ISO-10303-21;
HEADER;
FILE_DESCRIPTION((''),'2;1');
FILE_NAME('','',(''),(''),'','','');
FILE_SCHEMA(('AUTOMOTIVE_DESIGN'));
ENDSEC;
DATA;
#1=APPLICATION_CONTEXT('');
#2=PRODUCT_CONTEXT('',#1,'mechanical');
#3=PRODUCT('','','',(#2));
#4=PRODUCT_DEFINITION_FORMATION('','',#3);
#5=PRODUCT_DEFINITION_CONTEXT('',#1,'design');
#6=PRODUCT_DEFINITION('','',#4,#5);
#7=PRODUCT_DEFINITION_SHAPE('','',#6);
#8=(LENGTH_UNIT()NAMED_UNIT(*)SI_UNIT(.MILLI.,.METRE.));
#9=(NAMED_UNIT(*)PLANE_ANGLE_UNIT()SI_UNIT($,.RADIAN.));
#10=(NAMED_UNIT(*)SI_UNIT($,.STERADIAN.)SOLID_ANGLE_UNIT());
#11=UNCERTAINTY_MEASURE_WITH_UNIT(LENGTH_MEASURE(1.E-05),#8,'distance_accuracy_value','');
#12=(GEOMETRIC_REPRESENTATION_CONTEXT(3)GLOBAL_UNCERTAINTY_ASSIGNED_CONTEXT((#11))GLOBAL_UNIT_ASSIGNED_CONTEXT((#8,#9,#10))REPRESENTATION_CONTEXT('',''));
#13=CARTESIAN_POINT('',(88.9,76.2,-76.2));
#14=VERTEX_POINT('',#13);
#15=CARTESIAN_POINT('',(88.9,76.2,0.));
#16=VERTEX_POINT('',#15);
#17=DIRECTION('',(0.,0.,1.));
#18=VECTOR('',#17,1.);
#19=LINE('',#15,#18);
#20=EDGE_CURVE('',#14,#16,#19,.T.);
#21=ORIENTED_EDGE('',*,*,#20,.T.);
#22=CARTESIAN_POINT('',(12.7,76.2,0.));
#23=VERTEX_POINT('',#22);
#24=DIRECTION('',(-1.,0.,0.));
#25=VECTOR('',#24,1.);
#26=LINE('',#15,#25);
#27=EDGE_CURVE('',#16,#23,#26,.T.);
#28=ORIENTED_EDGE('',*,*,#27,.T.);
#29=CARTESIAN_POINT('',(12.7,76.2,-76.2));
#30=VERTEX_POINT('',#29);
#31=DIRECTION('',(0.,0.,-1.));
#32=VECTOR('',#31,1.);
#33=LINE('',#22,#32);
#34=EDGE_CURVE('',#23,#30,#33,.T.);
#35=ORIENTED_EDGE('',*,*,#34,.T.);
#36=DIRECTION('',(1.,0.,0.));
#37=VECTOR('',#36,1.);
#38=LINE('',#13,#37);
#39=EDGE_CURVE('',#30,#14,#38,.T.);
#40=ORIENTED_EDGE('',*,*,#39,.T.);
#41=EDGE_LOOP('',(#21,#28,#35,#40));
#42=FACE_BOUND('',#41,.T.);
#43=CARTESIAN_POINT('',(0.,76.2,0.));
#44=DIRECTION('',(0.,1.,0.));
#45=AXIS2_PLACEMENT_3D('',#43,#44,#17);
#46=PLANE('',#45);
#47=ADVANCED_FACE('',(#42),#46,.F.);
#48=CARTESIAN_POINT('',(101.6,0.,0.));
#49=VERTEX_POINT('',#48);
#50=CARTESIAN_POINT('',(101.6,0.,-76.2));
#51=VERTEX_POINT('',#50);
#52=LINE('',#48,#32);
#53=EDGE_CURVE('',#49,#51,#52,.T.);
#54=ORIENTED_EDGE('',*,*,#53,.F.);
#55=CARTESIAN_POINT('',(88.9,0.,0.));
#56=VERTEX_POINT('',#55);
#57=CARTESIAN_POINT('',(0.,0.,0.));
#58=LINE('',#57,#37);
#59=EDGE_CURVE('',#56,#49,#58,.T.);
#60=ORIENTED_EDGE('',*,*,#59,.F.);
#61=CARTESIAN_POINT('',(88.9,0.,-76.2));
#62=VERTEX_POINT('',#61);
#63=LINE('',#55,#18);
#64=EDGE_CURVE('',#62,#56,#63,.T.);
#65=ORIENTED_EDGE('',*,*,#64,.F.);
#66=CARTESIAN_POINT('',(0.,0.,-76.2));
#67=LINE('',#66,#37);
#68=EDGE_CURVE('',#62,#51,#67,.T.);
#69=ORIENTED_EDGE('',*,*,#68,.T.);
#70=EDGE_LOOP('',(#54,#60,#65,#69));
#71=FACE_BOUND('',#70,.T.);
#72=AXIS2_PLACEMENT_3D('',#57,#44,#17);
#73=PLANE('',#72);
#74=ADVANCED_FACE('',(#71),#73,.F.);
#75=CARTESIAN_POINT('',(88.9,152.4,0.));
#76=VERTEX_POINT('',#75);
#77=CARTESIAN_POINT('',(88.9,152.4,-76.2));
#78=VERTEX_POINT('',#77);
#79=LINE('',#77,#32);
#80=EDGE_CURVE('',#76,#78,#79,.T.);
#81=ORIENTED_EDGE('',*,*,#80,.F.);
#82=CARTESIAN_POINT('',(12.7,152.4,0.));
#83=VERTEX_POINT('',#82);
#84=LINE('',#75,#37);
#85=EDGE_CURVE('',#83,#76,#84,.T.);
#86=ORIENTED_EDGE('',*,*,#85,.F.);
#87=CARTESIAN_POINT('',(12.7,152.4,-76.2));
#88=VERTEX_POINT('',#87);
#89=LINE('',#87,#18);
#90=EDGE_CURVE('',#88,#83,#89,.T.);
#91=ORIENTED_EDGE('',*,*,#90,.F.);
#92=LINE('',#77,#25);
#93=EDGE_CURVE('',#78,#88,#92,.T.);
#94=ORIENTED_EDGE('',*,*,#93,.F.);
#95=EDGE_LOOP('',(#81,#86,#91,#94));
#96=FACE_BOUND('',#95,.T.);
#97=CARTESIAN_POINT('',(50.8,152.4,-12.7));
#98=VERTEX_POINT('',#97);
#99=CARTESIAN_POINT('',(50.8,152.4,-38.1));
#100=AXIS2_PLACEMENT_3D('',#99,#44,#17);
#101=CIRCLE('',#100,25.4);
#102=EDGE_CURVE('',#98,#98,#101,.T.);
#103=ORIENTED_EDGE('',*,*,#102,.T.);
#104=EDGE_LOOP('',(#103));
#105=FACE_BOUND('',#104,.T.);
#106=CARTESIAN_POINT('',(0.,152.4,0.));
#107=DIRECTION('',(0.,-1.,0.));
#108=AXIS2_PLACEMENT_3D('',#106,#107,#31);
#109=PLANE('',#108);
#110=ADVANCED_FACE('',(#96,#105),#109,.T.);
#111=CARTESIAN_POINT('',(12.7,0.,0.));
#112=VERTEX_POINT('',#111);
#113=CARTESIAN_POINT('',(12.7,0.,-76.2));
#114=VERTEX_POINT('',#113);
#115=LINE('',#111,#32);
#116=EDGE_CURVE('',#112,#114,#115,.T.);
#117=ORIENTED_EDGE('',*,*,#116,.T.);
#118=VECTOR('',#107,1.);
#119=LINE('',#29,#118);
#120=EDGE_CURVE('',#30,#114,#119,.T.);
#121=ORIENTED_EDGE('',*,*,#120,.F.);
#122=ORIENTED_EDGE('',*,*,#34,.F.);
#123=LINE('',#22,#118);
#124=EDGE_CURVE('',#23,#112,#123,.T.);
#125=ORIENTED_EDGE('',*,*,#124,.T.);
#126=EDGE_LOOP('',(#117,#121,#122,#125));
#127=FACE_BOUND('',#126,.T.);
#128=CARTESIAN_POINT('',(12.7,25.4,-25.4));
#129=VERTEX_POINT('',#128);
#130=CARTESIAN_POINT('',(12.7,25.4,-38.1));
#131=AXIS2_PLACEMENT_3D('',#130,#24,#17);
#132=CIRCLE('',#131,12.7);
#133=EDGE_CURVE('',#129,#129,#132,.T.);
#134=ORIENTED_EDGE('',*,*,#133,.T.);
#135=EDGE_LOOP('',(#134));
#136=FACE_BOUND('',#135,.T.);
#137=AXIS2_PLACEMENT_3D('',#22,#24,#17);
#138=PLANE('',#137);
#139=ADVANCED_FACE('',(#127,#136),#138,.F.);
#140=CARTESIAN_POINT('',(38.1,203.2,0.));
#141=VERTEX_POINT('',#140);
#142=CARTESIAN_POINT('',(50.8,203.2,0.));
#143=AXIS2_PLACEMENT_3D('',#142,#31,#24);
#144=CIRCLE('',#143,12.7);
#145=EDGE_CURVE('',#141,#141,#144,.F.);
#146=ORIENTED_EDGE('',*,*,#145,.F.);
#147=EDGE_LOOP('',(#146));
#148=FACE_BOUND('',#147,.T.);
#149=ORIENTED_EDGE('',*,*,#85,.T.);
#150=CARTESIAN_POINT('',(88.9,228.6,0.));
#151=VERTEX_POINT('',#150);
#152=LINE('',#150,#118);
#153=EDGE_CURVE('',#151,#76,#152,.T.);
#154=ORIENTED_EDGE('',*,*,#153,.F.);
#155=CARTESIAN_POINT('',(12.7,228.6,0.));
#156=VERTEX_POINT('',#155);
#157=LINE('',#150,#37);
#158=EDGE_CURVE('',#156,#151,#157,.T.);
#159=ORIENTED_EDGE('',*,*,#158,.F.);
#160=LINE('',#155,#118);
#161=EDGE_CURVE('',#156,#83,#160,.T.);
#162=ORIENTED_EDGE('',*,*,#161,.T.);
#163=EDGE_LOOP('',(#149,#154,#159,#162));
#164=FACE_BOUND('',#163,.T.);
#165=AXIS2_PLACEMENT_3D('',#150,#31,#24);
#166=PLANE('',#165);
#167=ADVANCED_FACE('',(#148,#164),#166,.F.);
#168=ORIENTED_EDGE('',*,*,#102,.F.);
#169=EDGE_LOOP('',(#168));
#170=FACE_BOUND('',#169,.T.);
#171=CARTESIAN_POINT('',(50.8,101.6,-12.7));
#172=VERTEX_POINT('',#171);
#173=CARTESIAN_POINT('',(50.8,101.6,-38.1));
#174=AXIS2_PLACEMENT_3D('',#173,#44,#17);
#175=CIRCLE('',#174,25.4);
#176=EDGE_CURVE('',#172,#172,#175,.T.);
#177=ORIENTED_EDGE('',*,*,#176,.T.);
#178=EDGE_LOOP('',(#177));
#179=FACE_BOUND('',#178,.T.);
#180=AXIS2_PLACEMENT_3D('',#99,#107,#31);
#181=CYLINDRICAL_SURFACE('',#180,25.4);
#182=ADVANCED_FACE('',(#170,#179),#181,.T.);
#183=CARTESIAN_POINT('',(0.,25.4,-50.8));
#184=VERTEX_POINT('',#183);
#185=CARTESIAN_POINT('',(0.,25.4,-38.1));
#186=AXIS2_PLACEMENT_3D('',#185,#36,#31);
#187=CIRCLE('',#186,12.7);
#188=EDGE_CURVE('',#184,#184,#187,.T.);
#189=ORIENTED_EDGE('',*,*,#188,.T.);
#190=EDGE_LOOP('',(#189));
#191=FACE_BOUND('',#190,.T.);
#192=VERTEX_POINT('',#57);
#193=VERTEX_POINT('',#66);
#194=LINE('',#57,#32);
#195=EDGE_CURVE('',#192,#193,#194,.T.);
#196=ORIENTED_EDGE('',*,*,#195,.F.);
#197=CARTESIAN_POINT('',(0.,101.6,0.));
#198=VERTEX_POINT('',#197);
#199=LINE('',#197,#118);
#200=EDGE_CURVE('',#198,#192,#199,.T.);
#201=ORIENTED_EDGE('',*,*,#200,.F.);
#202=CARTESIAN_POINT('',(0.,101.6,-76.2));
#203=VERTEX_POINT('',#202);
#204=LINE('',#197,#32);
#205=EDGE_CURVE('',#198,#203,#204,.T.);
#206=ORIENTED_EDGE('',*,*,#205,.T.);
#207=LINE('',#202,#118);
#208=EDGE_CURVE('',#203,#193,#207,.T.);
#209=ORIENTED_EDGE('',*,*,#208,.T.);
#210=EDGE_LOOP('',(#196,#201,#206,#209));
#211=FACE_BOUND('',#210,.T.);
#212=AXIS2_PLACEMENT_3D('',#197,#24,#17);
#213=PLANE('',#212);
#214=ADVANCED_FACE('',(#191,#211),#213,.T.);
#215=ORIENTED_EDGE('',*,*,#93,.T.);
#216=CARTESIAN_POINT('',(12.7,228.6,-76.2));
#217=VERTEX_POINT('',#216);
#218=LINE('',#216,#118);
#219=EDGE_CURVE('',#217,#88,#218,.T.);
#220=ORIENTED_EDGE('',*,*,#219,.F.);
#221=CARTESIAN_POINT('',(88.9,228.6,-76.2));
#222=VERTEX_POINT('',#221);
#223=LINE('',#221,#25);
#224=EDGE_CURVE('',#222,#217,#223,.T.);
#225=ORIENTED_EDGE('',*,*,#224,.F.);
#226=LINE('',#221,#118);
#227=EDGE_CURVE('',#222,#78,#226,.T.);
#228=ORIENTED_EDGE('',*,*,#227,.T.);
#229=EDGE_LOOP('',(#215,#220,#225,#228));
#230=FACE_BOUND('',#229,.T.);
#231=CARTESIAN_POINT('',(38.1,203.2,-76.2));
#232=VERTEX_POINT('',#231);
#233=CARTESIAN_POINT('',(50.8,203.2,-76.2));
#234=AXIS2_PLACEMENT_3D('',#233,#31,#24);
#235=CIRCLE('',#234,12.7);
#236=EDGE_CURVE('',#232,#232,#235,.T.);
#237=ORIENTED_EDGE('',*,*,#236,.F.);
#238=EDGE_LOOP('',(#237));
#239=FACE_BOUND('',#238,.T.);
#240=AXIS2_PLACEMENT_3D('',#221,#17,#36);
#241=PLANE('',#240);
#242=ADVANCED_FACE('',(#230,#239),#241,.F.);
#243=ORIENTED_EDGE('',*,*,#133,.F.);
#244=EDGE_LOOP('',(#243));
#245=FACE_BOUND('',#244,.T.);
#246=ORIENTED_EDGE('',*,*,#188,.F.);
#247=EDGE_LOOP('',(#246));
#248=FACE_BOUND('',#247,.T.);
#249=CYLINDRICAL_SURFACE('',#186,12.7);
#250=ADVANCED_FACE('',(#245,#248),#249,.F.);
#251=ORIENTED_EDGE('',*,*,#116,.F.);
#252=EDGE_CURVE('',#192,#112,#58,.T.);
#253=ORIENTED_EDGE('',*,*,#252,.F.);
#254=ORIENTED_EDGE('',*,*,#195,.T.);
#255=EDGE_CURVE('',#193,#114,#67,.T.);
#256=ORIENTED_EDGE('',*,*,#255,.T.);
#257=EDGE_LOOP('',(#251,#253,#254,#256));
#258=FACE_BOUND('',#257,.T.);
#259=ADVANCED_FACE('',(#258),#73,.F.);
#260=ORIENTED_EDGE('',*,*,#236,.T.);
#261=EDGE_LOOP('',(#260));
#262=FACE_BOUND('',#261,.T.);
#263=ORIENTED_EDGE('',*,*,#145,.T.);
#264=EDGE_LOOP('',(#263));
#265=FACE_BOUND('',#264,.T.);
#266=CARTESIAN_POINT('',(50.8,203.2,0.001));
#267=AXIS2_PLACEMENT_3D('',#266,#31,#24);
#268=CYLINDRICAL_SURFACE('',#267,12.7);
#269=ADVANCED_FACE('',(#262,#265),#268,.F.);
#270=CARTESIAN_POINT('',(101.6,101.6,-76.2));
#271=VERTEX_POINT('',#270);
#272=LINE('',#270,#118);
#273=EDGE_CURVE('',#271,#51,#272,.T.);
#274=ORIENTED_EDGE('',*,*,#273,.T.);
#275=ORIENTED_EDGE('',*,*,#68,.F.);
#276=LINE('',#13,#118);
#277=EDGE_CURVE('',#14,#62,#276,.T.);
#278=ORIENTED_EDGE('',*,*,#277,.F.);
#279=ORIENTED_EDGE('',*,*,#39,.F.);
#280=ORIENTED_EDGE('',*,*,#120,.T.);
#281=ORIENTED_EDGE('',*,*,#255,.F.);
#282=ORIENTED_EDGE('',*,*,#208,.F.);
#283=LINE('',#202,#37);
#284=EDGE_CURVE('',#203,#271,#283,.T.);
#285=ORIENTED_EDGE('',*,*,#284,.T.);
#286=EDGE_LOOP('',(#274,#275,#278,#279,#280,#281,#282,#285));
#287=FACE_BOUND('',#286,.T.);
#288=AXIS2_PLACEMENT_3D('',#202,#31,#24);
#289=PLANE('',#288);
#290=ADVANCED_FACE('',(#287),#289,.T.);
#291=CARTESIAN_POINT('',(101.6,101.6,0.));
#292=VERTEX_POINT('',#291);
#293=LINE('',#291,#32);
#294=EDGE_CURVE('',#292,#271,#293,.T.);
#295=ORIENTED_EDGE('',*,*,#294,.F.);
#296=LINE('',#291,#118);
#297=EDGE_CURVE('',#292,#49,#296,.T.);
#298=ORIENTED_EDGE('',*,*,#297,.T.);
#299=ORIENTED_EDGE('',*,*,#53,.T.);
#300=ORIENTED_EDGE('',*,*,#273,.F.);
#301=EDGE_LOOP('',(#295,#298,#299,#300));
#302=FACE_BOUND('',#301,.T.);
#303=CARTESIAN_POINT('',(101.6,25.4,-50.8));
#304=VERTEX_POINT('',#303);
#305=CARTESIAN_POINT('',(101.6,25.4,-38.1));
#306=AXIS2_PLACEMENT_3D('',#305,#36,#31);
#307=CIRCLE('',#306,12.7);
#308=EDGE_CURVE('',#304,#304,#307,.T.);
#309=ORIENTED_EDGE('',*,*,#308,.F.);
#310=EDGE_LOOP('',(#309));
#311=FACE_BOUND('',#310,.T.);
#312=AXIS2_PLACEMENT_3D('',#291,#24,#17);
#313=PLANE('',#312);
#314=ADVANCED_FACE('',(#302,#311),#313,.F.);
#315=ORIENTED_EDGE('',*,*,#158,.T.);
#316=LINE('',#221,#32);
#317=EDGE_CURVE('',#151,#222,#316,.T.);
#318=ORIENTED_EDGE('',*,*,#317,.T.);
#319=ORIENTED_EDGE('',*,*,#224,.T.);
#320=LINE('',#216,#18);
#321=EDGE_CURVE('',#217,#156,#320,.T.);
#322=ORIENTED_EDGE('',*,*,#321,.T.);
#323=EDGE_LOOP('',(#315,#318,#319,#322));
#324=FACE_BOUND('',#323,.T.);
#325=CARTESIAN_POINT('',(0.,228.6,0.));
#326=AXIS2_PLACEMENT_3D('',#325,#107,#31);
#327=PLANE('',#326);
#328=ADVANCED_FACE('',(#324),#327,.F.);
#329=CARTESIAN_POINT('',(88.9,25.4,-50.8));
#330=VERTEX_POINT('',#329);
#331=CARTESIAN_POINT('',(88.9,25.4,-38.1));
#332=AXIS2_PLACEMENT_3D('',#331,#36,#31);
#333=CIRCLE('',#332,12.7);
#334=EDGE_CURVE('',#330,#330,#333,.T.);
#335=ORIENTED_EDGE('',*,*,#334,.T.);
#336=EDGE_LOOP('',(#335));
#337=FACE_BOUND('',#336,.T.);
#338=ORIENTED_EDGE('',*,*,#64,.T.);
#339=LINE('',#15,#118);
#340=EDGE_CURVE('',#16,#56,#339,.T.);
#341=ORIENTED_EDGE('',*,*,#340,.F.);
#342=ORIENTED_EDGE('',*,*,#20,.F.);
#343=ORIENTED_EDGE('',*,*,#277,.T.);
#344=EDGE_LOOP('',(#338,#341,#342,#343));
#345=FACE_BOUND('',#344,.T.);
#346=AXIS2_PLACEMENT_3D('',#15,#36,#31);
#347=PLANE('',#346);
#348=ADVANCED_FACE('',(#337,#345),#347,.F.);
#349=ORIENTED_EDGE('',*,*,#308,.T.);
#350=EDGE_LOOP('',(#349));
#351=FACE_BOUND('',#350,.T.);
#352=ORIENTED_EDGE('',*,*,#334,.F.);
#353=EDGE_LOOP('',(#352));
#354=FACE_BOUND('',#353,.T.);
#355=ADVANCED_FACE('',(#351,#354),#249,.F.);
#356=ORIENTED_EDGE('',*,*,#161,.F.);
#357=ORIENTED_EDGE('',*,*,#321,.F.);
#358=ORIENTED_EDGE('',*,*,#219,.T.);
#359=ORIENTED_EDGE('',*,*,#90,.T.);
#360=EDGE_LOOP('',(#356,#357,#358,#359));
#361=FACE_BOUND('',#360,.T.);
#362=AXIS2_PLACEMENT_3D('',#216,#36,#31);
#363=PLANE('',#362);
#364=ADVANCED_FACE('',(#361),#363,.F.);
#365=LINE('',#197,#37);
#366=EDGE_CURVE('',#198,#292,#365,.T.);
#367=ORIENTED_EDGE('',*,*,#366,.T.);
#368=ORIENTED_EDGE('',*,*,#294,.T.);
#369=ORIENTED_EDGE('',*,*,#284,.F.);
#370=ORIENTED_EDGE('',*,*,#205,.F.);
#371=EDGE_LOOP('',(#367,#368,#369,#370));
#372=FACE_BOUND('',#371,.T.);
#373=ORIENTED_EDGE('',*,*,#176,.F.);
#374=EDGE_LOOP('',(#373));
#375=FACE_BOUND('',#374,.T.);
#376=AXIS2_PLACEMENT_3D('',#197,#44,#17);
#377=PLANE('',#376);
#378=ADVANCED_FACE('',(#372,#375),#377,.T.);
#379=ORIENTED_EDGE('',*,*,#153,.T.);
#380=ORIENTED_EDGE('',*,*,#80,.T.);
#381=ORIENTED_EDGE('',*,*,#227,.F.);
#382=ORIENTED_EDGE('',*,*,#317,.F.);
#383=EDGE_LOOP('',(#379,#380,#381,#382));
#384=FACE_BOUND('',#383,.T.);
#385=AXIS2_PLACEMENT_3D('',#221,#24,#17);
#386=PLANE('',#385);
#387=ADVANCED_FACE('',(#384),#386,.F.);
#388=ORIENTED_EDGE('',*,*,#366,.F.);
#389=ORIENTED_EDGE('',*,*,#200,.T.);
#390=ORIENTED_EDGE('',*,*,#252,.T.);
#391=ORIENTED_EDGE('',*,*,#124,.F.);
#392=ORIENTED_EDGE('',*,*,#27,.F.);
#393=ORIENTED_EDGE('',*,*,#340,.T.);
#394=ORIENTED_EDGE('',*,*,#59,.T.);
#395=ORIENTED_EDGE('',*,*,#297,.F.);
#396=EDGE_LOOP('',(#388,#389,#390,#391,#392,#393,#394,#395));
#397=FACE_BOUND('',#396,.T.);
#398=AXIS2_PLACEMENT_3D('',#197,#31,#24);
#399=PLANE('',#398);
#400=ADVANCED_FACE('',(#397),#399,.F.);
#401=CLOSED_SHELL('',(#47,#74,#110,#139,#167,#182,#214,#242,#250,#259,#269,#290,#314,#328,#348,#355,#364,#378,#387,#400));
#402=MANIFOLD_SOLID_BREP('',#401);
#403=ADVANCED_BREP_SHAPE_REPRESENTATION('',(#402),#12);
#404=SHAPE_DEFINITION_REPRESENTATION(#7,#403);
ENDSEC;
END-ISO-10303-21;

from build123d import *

# Parameters (mm, degrees)
SKETCH1_W           = 101.6
SKETCH1_H           = 76.2
BOSS_EXTRUDE1_DEPTH = 101.6
SKETCH3_W           = 76.2
SKETCH3_H           = 76.2
CUT_EXTRUDE1_DEPTH  = 76.2
SKETCH4_R           = 25.4
BOSS_EXTRUDE2_DEPTH = 50.8
SKETCH5_W           = 76.2
SKETCH5_H           = 76.2
BOSS_EXTRUDE3_DEPTH = 76.2
SKETCH6_R           = 12.7
CUT_EXTRUDE2_DEPTH  = 262.509005581
CUT_EXTRUDE3_REACH  = 263.509
SKETCH7_R           = 12.7


with BuildPart() as part:
    # Sketch1 → Boss-Extrude1 (new body)
    with BuildSketch(Plane(origin=(0, 0, 0), x_dir=(1, 0, 0), z_dir=(0, 1, 0))):
        with Locations((50.8, 38.1)):
            Rectangle(SKETCH1_W, SKETCH1_H)
    extrude(amount=BOSS_EXTRUDE1_DEPTH)

    # Sketch3 → Cut-Extrude1 (cut)
    with BuildSketch(Plane.XZ):
        with Locations((50.8, -38.1)):
            Rectangle(SKETCH3_W, SKETCH3_H)
    extrude(amount=-CUT_EXTRUDE1_DEPTH, mode=Mode.SUBTRACT)

    # Sketch4 → Boss-Extrude2 (add)
    with BuildSketch(Plane(origin=(0, 101.6, 0), x_dir=(1, 0, 0), z_dir=(0, 1, 0))):
        with Locations(Location((50.8, 38.1, 0), (0, 0, 270))):
            Circle(SKETCH4_R)
    extrude(amount=BOSS_EXTRUDE2_DEPTH)

    # Sketch5 → Boss-Extrude3 (add)
    with BuildSketch(Plane(origin=(0, 152.4, 0), x_dir=(1, 0, 0), z_dir=(0, 1, 0))):
        with Locations((50.8, 38.1)):
            Rectangle(SKETCH5_W, SKETCH5_H)
    extrude(amount=BOSS_EXTRUDE3_DEPTH)

    # Sketch6 → Cut-Extrude2 (cut, through all)
    with BuildSketch(Plane(origin=(101.6, 0, 0), x_dir=(0, 0, -1), z_dir=(1, 0, 0))):
        with Locations((38.1, 25.4)):
            Circle(SKETCH6_R)
    extrude(amount=-CUT_EXTRUDE2_DEPTH, mode=Mode.SUBTRACT)

    # Sketch7 → Cut-Extrude3 (cut, up to next)
    with BuildSketch(Plane(origin=(0, 0, -76.2), x_dir=(-1, 0, 0), z_dir=(0, 0, -1)), mode=Mode.PRIVATE) as cut_extrude3_sk1:
        with Locations((-50.8, 203.2)):
            Circle(SKETCH7_R)
    cut_extrude3_tool1 = extrude(cut_extrude3_sk1.sketch, amount=-CUT_EXTRUDE3_REACH, mode=Mode.PRIVATE) & part.part
    add(cut_extrude3_tool1.solids().sort_by_distance((50.8, 203.2, -76.2))[0], mode=Mode.SUBTRACT)


solid = part.part
